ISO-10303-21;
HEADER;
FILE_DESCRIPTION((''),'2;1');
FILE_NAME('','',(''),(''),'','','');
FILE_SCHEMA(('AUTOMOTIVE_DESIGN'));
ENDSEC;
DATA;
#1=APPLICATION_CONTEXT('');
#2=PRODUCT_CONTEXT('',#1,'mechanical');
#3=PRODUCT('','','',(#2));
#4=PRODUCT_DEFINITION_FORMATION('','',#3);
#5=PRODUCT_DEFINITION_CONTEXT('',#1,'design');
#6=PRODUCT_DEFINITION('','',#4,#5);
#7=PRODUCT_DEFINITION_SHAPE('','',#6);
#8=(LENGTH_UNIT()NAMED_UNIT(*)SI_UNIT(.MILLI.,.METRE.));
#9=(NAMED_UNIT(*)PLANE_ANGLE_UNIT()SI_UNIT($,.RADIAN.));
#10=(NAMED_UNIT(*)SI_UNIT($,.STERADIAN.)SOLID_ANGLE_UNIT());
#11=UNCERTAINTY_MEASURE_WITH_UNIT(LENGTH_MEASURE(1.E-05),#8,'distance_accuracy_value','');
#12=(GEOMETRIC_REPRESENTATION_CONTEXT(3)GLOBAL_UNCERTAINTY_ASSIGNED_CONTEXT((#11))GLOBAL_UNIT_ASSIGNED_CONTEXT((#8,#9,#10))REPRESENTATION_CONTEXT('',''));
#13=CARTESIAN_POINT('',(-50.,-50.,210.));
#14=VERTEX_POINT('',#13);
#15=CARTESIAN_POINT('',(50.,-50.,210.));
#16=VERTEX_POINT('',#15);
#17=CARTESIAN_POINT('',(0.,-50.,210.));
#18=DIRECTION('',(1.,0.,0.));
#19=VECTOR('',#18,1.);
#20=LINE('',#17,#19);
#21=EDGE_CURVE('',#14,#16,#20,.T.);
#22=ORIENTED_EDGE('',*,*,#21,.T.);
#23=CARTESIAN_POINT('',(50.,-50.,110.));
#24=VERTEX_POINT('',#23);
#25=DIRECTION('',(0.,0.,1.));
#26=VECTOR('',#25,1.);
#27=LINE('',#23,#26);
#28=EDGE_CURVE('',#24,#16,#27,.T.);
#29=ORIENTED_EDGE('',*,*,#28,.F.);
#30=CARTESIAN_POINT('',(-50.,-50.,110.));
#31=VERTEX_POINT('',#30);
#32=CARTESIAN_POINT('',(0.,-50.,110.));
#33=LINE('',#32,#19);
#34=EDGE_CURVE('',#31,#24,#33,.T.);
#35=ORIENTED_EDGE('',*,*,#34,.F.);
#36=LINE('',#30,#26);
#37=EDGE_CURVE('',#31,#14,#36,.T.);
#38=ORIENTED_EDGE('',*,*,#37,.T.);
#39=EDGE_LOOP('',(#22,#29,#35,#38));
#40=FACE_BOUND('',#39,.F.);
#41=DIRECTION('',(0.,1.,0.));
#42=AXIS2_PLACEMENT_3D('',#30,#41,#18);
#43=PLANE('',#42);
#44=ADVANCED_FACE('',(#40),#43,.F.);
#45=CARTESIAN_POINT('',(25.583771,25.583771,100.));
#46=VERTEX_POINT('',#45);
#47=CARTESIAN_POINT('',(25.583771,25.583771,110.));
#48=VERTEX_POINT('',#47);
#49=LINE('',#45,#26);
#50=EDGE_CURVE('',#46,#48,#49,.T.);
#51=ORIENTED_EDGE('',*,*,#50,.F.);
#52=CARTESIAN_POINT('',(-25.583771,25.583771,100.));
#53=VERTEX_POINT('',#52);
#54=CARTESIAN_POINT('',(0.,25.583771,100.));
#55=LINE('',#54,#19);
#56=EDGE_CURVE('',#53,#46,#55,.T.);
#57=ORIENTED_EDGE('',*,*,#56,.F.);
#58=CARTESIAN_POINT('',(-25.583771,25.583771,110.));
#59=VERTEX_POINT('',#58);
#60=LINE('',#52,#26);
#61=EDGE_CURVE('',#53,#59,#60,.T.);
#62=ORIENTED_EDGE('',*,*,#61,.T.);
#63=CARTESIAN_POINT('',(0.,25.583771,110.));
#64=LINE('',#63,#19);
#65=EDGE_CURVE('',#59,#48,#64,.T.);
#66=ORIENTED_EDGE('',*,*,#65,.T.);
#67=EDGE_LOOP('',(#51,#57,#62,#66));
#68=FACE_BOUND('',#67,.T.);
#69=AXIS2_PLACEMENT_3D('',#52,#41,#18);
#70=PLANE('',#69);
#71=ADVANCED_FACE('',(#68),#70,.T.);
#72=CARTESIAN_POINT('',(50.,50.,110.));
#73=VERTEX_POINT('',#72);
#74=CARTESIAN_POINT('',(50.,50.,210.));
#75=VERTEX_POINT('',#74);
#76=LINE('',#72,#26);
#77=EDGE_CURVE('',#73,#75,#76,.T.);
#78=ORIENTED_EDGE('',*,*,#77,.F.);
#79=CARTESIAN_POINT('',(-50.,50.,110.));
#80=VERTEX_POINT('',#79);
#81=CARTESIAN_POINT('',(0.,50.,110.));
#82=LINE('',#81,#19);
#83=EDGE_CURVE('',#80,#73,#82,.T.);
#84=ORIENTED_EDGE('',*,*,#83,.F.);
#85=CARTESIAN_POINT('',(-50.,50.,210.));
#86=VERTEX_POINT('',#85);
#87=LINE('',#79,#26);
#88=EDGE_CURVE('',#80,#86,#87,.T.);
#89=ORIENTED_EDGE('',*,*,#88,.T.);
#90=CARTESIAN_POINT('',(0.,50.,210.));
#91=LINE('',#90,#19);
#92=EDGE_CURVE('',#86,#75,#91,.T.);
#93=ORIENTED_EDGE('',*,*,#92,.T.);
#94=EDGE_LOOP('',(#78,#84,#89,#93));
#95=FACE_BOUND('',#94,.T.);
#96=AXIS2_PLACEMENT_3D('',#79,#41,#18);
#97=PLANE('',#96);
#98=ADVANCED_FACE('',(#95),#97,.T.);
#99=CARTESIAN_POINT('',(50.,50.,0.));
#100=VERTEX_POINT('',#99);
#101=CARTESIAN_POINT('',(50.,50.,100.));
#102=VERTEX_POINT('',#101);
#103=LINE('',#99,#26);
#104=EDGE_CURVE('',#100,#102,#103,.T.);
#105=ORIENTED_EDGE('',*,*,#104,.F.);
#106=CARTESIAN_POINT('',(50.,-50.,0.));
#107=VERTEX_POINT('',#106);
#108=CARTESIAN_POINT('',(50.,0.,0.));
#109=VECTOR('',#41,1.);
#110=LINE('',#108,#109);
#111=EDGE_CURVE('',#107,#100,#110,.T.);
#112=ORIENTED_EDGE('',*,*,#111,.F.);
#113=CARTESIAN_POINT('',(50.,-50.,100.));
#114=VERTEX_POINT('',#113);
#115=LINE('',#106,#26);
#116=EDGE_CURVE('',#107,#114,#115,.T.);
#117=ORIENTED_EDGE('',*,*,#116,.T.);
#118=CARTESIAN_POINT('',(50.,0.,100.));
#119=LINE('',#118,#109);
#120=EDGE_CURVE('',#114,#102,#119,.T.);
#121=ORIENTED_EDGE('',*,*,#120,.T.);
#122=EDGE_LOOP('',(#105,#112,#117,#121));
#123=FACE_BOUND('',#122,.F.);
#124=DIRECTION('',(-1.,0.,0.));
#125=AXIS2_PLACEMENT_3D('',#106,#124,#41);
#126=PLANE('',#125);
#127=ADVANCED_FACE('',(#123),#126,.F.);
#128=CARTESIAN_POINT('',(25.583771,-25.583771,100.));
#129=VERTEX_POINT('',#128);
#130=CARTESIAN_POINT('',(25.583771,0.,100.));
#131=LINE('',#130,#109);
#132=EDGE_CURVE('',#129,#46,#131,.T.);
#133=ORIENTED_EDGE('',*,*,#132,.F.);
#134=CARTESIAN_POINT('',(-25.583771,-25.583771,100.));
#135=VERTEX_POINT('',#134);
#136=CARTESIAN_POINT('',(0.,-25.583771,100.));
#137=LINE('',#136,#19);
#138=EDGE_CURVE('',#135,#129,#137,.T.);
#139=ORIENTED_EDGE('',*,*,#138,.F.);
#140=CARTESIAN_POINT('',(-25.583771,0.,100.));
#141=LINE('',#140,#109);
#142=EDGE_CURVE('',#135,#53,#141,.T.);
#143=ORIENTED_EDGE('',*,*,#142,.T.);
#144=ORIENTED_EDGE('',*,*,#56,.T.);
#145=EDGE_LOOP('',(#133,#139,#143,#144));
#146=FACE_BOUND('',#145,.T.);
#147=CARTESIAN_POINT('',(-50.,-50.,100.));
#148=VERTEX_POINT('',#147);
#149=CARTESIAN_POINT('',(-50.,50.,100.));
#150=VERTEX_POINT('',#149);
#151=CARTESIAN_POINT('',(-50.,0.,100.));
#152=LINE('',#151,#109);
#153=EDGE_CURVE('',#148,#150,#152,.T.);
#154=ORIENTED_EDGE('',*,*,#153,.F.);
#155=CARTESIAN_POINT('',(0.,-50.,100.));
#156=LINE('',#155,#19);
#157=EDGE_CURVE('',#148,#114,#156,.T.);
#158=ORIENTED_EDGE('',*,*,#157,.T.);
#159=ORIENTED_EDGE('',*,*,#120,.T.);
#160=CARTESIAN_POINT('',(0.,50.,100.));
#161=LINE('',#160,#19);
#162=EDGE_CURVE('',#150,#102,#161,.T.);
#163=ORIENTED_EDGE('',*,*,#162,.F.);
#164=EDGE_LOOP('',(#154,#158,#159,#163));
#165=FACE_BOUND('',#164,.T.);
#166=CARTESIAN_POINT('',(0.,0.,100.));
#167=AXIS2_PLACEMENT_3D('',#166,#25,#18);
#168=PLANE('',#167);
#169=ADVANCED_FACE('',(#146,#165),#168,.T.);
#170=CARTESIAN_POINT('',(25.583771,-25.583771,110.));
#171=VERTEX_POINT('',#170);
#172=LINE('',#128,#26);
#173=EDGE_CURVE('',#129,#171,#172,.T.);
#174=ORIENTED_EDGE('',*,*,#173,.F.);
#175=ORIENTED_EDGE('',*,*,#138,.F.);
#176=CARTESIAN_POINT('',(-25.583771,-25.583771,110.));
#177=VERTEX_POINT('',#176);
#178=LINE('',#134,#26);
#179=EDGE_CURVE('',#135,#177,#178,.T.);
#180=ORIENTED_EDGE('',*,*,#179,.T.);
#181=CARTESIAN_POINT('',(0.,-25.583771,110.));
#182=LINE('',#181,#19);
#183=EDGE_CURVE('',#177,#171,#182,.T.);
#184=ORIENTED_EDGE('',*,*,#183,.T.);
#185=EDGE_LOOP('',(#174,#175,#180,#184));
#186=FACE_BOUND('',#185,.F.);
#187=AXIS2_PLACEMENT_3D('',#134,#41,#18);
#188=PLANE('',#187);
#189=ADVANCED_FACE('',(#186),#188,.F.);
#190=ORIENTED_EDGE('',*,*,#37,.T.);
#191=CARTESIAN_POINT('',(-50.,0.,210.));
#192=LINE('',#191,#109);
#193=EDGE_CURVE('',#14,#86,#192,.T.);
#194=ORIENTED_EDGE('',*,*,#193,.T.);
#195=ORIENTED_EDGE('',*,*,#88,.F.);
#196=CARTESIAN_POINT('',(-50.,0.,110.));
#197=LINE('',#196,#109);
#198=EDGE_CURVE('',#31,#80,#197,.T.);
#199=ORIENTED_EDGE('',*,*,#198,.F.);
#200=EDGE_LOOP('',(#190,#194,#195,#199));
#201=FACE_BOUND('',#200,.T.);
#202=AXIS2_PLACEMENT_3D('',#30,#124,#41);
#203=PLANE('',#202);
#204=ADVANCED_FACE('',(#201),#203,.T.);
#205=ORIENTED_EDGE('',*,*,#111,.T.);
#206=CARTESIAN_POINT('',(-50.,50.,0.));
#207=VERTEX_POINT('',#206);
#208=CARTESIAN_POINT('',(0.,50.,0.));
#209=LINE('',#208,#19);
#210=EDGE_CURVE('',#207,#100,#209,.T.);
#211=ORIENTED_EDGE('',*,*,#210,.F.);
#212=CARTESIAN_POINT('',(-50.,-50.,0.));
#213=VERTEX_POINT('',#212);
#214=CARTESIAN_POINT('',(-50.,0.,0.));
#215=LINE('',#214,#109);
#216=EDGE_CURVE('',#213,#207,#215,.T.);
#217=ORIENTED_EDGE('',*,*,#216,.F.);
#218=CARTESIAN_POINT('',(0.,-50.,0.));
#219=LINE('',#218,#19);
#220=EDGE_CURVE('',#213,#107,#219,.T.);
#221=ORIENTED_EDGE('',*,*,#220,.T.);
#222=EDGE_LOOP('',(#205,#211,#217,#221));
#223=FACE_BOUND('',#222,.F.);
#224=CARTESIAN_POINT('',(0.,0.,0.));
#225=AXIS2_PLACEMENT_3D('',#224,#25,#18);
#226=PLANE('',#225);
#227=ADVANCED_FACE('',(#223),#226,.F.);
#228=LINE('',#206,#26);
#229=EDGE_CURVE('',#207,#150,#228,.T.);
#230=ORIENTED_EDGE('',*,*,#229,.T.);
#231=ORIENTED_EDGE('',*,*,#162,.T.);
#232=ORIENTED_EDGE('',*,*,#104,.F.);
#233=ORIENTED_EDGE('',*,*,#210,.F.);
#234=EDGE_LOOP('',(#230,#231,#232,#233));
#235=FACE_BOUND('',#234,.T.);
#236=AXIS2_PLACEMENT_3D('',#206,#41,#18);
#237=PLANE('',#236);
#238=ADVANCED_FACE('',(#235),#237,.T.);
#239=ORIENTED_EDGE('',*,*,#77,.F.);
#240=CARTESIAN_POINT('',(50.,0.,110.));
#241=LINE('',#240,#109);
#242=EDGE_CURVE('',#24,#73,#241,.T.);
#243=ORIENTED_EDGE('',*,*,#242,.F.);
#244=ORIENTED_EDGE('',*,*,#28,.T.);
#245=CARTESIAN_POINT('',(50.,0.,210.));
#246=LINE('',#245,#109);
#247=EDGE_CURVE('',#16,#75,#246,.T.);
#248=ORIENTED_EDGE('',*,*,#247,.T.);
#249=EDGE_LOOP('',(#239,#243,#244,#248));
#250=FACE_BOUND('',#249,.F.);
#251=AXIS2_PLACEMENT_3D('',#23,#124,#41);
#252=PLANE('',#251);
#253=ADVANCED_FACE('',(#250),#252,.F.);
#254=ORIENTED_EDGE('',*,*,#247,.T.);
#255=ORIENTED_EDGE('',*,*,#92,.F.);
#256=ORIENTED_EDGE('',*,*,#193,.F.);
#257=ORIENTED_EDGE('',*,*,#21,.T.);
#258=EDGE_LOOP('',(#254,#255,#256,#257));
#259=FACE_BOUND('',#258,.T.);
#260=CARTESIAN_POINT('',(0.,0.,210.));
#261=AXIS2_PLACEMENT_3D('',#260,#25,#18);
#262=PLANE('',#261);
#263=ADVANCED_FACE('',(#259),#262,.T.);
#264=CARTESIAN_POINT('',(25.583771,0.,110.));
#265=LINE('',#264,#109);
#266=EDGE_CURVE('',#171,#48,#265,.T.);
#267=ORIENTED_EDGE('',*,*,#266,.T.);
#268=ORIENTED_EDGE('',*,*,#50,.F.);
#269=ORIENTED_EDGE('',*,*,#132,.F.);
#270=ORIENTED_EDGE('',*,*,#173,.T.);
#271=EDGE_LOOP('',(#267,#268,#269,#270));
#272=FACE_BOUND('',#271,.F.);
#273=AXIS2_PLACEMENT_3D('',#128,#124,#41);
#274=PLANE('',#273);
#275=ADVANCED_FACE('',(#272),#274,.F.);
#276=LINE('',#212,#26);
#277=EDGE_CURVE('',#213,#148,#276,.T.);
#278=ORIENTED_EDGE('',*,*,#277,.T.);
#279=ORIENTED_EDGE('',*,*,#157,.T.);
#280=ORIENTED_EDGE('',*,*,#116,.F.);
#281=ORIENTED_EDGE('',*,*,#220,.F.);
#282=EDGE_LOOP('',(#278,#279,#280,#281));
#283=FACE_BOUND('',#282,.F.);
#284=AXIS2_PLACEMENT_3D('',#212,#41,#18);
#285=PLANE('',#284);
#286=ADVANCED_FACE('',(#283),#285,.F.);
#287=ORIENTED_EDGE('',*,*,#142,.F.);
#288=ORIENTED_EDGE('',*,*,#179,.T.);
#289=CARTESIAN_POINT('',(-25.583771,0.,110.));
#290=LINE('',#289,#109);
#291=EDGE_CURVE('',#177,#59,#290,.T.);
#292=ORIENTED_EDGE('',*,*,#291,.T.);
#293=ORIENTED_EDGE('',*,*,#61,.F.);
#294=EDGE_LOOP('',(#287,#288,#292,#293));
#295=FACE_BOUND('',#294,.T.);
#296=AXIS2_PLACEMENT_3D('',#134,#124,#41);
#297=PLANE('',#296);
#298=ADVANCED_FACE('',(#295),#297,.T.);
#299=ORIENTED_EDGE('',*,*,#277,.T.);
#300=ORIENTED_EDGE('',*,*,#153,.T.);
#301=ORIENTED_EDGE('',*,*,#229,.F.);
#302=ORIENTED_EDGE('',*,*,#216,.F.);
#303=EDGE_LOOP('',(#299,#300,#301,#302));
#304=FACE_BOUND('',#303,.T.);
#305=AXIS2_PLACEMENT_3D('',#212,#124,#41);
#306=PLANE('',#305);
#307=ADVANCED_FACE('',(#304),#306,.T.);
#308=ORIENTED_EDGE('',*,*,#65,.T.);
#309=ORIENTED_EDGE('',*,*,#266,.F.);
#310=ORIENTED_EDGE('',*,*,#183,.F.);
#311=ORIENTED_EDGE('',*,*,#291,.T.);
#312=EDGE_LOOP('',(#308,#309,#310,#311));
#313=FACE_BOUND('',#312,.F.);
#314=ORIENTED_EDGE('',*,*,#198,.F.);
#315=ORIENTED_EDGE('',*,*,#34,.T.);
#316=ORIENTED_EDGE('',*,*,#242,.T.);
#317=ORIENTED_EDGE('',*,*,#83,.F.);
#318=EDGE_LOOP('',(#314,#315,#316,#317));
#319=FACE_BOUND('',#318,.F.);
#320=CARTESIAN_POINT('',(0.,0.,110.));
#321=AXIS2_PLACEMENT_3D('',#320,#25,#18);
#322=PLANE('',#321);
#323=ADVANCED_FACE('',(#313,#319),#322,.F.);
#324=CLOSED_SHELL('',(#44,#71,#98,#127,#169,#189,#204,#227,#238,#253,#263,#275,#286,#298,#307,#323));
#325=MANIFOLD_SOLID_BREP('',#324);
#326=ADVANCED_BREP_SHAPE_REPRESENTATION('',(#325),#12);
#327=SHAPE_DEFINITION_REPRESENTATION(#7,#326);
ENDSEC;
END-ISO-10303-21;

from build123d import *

# Parameters (mm, degrees)
F0_W     = 100
F0_H     = 100
F1_DEPTH = 100
F2_W     = 51.167542
F2_H     = 51.167542
F3_DEPTH = 10
F4_W     = 100
F4_H     = 100
F5_DEPTH = 100


with BuildPart() as f1:
    # F0 (on Top) → F1 (new body)
    with BuildSketch(Plane.XY):
        Rectangle(F0_W, F0_H)
    extrude(amount=F1_DEPTH)

    # F2 (on face) → F3 (join)
    with BuildSketch(Plane.XY.offset(100)):
        Rectangle(F2_W, F2_H)
    extrude(amount=F3_DEPTH)

    # F4 (on face) → F5 (join)
    with BuildSketch(Plane.XY.offset(110)):
        Rectangle(F4_W, F4_H)
    extrude(amount=F5_DEPTH)


solid = f1.part
